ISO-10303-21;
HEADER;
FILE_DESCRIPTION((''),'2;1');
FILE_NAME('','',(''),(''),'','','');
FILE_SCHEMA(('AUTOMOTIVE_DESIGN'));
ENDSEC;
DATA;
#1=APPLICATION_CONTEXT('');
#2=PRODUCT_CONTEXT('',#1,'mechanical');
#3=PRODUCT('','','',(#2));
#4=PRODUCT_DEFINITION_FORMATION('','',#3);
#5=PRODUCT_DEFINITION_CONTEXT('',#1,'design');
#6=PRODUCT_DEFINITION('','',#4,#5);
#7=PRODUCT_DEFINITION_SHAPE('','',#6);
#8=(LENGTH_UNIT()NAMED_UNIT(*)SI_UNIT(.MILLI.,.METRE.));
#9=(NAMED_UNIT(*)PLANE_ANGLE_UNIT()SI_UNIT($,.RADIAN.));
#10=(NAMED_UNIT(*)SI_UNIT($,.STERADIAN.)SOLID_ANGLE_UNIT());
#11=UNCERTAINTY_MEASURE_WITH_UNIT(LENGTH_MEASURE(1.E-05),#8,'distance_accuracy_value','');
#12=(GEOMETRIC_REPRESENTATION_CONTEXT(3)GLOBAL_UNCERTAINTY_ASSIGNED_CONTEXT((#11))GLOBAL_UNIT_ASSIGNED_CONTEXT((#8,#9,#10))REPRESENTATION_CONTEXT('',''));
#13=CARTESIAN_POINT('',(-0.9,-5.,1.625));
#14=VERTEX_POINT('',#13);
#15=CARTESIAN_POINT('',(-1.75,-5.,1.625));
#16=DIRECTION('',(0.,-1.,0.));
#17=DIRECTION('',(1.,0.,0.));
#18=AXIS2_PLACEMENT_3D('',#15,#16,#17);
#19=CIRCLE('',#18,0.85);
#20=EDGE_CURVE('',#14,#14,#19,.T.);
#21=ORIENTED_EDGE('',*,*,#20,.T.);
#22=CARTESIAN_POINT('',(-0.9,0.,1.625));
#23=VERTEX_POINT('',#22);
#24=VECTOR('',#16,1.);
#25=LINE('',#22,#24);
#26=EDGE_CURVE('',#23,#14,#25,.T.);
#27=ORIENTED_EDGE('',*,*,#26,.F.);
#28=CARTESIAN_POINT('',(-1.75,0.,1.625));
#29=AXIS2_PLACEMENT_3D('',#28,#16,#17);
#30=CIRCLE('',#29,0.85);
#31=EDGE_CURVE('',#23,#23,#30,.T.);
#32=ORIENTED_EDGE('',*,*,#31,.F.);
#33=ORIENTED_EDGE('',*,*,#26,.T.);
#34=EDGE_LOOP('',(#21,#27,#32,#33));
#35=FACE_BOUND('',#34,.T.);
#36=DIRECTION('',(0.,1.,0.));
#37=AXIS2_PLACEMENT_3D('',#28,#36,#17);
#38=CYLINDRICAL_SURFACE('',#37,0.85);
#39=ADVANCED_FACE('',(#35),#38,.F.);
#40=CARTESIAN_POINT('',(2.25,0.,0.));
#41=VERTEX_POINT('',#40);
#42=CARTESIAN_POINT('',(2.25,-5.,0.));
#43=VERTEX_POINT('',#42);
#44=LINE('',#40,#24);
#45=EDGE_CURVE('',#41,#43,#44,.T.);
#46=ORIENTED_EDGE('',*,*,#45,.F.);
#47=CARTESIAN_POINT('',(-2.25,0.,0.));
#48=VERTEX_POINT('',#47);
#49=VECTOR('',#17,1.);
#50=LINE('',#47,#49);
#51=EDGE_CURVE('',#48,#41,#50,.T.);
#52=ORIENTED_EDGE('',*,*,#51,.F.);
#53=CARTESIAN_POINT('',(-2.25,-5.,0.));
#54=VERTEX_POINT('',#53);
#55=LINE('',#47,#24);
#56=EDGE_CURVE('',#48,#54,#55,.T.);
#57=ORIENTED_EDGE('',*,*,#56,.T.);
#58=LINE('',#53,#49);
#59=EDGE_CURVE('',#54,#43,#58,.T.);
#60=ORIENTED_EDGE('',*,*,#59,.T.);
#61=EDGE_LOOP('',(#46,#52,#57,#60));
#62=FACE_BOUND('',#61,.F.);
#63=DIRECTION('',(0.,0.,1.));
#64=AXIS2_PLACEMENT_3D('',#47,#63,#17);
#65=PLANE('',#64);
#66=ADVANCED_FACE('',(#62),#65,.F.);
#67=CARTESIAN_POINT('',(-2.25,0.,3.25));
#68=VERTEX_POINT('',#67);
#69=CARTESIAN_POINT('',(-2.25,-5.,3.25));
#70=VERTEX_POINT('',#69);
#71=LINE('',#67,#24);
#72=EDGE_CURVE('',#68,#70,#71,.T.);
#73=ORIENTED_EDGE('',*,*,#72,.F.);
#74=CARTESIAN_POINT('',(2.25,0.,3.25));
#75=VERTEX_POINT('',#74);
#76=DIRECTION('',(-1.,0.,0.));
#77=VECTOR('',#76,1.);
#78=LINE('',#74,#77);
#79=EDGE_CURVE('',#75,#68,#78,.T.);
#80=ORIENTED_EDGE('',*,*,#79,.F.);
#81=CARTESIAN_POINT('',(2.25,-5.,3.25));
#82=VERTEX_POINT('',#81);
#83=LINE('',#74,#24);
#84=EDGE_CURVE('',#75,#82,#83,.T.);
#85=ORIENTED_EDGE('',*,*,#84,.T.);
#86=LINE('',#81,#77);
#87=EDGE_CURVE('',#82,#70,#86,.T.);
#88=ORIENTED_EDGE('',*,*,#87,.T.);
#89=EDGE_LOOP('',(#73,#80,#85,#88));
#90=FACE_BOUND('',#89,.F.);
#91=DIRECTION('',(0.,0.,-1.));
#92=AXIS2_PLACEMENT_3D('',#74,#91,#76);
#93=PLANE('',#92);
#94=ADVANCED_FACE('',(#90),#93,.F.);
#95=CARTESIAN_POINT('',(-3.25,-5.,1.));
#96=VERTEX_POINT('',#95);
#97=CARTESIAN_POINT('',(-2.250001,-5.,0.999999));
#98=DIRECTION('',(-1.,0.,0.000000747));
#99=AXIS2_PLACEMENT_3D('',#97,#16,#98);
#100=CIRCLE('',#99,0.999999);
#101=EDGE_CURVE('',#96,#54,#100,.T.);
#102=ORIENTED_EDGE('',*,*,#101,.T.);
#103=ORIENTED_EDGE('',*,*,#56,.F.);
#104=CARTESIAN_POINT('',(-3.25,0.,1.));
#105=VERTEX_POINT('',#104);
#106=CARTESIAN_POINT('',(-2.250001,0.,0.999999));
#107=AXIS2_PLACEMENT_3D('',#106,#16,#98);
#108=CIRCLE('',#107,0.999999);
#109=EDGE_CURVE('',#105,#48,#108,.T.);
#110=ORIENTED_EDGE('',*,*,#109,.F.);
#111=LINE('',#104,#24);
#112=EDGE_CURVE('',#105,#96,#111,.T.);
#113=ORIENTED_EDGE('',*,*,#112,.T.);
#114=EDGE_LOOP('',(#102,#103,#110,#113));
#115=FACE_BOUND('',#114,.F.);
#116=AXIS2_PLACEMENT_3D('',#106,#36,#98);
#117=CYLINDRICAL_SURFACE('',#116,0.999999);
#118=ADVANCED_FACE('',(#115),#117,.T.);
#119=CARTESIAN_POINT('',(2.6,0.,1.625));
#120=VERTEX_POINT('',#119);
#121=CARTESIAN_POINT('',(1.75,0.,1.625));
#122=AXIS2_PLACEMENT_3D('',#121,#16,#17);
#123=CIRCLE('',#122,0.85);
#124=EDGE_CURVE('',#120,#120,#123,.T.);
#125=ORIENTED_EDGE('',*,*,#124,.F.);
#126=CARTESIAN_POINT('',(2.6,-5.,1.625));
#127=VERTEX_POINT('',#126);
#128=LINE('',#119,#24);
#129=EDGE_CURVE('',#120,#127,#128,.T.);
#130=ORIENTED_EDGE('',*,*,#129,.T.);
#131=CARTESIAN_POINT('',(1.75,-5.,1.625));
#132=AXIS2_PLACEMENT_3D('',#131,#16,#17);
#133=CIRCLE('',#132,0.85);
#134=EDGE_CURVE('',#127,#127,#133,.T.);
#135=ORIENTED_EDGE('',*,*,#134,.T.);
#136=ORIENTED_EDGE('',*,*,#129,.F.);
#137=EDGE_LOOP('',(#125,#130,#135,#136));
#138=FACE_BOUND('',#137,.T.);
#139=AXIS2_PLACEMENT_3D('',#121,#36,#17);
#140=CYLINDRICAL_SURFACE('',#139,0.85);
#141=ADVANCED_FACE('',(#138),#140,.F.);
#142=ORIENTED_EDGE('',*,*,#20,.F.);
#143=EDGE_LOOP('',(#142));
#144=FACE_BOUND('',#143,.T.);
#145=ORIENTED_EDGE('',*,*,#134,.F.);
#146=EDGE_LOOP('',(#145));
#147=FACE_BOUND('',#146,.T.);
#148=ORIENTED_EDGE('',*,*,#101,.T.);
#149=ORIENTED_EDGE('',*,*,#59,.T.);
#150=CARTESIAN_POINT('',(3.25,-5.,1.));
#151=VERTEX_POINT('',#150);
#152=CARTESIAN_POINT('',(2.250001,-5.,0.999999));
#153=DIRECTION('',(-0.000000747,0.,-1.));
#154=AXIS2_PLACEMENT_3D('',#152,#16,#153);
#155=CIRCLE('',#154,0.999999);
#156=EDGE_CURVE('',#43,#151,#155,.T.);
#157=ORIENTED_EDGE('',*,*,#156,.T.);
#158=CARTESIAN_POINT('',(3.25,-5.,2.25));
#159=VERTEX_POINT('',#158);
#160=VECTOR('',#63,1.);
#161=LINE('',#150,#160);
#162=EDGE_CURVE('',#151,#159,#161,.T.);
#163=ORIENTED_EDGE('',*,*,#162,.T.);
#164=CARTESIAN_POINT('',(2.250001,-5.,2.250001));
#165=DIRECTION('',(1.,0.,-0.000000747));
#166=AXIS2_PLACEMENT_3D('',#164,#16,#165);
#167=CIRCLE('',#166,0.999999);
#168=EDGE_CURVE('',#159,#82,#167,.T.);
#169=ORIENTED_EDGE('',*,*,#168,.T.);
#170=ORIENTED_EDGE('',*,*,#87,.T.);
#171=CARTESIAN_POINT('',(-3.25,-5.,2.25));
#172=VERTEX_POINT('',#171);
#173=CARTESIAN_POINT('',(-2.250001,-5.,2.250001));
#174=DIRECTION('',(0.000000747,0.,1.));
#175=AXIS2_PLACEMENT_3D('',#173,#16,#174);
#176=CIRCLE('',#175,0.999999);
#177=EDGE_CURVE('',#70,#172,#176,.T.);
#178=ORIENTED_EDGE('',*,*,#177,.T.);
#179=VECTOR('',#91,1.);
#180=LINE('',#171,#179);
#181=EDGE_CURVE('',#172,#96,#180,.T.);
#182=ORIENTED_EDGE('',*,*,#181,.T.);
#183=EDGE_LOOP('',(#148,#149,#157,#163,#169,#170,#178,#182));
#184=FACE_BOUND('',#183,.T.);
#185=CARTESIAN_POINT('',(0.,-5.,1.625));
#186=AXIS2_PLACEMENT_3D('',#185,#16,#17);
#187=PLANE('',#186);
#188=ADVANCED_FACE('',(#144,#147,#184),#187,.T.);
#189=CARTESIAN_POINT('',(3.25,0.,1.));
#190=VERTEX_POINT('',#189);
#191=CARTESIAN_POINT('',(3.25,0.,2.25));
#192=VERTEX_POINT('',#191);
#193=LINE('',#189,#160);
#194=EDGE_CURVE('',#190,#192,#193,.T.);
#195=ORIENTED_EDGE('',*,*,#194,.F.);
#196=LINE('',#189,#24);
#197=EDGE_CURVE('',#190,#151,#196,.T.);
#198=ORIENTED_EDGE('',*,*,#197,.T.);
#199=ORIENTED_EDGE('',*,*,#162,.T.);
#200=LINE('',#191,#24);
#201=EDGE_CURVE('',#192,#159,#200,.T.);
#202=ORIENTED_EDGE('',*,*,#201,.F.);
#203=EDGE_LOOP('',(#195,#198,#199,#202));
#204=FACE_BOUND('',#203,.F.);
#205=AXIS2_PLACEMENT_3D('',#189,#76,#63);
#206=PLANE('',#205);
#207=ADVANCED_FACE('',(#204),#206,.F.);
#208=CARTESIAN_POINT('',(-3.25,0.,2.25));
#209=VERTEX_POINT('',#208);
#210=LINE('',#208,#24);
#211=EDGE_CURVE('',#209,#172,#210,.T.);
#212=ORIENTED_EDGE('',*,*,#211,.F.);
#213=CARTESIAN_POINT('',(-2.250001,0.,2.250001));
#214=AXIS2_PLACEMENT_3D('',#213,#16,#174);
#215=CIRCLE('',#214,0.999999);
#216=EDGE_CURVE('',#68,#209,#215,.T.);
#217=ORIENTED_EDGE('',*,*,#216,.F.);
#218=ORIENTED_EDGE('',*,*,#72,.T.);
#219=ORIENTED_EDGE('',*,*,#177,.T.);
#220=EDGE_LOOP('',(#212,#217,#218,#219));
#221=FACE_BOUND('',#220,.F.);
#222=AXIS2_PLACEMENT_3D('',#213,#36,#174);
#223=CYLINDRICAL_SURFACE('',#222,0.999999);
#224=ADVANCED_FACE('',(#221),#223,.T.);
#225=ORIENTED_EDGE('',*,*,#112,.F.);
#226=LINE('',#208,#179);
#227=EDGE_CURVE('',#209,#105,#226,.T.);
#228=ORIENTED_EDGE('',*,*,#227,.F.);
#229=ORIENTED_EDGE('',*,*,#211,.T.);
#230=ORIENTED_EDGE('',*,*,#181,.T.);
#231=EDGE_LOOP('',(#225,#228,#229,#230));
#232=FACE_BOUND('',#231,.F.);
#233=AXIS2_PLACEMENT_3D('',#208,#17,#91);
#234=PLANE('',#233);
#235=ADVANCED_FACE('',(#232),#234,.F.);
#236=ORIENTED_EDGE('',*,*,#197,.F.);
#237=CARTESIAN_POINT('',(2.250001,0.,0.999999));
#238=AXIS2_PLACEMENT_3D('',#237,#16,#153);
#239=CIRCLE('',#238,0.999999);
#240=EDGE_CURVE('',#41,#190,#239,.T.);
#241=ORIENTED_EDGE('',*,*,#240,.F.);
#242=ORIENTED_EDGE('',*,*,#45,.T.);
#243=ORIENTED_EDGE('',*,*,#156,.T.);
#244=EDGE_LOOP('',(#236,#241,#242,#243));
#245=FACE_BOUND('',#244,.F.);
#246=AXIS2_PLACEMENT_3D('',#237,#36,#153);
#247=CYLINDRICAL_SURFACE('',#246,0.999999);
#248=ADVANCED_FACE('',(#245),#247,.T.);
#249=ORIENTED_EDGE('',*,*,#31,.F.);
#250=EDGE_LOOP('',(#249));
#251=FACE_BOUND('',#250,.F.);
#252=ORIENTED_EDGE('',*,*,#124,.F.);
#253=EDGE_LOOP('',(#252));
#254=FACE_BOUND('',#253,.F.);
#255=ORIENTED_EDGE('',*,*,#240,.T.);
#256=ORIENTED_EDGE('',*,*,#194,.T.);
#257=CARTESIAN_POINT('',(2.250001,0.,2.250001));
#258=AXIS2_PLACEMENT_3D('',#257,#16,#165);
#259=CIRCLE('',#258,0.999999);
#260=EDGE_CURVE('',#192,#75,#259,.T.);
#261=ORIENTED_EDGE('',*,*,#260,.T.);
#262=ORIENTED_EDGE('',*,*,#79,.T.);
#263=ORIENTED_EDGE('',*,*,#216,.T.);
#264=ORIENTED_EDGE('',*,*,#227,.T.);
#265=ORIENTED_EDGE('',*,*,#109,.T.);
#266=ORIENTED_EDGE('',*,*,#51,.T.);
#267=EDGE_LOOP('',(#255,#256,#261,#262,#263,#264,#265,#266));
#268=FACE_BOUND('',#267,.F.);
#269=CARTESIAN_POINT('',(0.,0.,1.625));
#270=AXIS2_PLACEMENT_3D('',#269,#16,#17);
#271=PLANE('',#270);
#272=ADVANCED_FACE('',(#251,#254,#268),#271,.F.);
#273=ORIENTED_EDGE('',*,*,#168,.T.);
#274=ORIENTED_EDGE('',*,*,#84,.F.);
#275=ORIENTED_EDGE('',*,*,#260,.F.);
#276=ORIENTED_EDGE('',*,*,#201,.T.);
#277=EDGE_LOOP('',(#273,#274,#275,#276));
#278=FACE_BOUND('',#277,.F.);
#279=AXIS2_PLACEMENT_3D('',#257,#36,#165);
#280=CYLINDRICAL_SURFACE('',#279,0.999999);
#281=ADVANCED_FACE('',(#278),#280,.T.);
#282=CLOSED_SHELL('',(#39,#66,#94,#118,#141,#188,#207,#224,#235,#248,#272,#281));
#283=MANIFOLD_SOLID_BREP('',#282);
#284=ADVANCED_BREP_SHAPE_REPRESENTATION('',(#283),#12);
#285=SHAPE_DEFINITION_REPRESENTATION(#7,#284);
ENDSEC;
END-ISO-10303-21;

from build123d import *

# Parameters (mm, degrees)
F0_R     = 0.85
F1_DEPTH = 5


with BuildPart() as f1:
    # F0 (on Front) → F1 (new body)
    with BuildSketch(Plane.XZ):
        with BuildLine():
            Line((-2.25, 0), (0, 0))
            Line((0, 0), (2.25, 0))
            ThreePointArc((2.25, 0), (2.957107, 0.292893), (3.25, 1))
            Line((3.25, 1), (3.25, 2.25))
            ThreePointArc((3.25, 2.25), (2.957107, 2.957107), (2.25, 3.25))
            Line((2.25, 3.25), (0, 3.25))
            Line((0, 3.25), (-2.25, 3.25))
            ThreePointArc((-2.25, 3.25), (-2.957107, 2.957107), (-3.25, 2.25))
            Line((-3.25, 2.25), (-3.25, 1))
            ThreePointArc((-3.25, 1), (-2.957107, 0.292893), (-2.25, 0))
        make_face()
        with Locations((-1.75, 1.625)):
            Circle(F0_R, mode=Mode.SUBTRACT)
        with Locations((1.75, 1.625)):
            Circle(F0_R, mode=Mode.SUBTRACT)
    extrude(amount=F1_DEPTH)


solid = f1.part
